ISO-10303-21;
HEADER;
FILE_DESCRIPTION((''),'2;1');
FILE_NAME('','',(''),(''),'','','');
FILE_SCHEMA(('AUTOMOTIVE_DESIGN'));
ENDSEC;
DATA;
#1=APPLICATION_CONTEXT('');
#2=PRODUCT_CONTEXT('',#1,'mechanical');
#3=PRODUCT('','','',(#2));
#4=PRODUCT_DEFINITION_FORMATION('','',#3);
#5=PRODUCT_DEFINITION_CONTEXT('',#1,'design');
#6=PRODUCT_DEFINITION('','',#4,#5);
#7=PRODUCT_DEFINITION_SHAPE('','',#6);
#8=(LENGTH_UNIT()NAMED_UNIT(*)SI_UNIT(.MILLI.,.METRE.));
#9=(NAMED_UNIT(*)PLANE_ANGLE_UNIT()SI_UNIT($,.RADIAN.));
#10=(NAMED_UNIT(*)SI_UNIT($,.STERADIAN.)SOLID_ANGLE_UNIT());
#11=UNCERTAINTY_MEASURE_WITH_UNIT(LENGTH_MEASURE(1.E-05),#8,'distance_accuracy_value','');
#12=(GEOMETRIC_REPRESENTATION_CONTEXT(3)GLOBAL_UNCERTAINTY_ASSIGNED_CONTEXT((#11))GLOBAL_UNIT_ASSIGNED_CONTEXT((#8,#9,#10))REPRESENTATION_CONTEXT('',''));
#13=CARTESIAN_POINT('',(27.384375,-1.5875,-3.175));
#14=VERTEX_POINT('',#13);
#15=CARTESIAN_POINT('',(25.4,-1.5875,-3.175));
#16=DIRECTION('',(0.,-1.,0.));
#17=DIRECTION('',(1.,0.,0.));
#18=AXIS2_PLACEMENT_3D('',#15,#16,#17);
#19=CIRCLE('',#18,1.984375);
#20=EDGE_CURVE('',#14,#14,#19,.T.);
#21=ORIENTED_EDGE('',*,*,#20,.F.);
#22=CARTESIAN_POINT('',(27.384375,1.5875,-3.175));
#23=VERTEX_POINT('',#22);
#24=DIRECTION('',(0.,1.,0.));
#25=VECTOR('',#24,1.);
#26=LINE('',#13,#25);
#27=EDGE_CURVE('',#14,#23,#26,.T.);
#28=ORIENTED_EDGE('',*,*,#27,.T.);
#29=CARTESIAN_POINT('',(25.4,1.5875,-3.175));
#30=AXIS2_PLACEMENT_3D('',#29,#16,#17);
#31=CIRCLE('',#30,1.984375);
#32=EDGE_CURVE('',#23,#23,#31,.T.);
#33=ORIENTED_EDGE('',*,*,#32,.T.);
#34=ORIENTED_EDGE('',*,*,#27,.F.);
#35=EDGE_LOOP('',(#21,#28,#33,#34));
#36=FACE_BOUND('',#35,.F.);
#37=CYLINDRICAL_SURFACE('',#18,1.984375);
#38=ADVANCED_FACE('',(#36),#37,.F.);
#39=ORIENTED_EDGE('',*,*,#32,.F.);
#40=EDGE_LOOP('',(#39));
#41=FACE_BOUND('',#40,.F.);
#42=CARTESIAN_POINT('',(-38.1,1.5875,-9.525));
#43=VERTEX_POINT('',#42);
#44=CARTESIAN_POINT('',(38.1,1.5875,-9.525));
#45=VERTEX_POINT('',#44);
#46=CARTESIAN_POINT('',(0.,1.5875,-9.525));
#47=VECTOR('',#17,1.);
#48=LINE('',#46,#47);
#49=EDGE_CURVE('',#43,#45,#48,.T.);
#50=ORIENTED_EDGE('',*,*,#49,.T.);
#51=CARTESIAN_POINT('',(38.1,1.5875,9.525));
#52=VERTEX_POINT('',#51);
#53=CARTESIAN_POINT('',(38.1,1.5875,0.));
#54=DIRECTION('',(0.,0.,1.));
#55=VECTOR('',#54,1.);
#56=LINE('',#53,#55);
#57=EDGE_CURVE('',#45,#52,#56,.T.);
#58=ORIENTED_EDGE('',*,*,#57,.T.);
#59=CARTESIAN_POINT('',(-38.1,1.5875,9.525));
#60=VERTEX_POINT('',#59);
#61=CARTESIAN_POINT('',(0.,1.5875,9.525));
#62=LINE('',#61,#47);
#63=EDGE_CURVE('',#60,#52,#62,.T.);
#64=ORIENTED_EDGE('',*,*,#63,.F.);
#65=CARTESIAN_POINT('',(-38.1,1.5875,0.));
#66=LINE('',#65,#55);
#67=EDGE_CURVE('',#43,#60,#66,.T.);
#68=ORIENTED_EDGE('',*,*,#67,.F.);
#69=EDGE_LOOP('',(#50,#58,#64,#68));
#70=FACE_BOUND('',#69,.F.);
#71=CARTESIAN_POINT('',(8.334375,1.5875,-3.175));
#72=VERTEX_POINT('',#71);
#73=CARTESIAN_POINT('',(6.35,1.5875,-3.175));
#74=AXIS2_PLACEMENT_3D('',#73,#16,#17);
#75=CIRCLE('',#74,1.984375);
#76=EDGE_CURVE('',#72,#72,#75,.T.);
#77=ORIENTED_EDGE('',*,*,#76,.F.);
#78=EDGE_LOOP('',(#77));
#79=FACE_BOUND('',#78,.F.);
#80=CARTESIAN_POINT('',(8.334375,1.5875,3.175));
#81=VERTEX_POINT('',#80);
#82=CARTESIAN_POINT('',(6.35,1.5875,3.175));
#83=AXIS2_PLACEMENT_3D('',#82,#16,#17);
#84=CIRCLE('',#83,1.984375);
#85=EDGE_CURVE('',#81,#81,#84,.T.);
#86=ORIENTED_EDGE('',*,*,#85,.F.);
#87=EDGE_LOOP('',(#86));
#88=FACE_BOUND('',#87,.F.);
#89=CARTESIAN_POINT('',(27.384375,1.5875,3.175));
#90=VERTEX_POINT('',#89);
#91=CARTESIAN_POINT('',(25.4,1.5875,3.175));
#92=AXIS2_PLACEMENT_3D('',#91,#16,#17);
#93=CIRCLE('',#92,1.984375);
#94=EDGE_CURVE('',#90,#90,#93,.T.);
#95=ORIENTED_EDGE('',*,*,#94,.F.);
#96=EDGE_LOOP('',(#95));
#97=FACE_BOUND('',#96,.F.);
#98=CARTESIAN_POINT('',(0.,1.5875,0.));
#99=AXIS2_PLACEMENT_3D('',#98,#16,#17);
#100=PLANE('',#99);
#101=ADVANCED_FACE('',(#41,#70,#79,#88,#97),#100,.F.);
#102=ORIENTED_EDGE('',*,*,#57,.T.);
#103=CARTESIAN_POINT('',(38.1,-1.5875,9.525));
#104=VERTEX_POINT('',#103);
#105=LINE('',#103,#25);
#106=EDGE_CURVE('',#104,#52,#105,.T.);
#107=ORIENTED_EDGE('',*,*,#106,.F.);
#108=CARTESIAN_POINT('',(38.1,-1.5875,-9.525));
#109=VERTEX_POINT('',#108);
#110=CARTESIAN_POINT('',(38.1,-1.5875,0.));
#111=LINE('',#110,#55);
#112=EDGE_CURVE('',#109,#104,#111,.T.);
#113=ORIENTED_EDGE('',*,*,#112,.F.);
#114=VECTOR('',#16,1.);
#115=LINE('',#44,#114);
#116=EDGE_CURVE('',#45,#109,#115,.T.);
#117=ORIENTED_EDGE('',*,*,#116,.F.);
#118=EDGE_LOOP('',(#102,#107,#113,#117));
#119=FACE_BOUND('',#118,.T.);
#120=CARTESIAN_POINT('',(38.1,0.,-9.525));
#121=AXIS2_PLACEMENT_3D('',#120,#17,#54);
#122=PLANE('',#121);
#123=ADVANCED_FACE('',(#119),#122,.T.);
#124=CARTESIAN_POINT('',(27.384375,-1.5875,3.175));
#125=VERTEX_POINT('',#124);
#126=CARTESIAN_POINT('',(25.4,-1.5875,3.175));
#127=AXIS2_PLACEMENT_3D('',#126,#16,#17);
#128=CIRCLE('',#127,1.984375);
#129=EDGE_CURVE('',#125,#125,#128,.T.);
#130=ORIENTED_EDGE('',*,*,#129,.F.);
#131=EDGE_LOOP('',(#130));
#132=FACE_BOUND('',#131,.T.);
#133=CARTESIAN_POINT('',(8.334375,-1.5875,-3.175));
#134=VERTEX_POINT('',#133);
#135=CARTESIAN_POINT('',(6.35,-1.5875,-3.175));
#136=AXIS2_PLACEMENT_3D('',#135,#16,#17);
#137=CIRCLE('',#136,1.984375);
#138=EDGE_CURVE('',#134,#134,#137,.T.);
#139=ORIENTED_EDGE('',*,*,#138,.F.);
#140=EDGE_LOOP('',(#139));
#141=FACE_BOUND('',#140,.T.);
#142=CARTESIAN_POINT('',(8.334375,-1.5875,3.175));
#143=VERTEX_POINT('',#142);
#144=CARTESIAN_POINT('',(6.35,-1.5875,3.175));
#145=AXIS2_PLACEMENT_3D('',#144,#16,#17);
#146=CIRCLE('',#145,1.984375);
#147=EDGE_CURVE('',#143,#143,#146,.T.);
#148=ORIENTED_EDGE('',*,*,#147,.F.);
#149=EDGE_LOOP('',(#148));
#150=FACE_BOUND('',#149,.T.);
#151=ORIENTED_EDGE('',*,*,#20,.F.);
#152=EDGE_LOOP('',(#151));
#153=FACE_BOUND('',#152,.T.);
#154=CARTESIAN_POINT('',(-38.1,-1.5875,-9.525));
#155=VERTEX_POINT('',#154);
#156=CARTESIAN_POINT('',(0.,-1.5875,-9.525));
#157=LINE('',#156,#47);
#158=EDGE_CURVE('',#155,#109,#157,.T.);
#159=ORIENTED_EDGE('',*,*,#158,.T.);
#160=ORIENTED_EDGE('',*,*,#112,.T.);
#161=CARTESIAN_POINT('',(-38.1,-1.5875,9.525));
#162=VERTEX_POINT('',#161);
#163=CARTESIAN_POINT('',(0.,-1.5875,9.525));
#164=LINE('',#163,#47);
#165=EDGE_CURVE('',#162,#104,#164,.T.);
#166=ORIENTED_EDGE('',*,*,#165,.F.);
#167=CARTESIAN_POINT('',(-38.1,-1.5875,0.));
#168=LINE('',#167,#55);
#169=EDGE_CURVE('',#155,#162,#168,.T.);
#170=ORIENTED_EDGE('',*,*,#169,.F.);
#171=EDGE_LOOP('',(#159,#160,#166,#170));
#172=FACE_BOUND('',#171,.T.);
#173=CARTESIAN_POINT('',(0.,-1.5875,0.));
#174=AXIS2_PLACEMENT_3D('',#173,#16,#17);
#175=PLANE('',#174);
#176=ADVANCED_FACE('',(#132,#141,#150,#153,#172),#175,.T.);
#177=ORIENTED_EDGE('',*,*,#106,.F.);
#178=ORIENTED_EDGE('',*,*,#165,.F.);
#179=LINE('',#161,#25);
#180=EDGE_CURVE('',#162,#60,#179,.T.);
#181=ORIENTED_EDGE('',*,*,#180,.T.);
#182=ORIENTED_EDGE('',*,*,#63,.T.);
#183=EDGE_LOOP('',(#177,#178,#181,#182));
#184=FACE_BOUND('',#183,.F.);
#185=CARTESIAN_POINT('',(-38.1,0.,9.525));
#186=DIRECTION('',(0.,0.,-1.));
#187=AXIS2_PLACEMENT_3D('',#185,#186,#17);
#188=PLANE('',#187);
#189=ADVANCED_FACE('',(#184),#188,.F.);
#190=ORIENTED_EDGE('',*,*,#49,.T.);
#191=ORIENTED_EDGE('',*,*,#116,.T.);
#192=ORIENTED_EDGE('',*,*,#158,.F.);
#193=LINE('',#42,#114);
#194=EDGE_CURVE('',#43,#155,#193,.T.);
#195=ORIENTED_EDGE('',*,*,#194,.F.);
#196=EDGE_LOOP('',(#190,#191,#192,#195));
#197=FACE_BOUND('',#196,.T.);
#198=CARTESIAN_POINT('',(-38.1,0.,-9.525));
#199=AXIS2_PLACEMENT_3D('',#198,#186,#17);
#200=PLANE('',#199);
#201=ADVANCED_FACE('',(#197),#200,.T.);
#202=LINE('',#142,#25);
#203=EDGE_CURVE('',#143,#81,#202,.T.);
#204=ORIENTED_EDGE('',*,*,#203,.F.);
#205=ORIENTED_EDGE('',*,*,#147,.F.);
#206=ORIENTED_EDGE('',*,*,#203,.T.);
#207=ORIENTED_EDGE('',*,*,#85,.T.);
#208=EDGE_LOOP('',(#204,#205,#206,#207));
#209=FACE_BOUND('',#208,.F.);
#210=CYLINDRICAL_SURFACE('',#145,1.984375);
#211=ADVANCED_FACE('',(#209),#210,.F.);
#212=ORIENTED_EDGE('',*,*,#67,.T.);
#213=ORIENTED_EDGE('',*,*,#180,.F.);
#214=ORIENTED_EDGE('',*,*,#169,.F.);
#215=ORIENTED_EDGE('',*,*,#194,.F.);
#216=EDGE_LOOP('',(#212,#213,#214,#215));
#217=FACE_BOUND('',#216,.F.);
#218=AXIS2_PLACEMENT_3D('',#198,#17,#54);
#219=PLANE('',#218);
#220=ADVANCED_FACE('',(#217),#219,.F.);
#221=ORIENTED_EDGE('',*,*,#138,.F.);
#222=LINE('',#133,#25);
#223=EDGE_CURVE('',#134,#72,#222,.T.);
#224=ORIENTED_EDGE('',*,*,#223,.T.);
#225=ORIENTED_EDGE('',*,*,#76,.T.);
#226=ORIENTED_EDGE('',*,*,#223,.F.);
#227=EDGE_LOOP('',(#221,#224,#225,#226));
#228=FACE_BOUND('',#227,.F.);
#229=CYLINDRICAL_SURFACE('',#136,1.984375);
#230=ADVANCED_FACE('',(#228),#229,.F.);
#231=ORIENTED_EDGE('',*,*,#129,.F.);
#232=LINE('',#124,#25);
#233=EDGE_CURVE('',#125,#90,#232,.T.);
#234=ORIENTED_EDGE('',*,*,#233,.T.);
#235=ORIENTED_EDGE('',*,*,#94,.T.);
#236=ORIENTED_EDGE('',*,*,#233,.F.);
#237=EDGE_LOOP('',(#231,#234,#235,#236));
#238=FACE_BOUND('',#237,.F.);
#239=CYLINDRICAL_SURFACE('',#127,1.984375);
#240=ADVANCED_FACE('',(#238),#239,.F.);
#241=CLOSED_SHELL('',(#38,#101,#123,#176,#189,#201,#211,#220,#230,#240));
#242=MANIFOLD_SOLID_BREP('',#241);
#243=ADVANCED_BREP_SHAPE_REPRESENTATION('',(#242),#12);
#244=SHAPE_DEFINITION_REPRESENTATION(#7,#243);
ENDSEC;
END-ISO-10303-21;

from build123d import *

# Parameters (mm, degrees)
F0_W     = 76.2
F0_H     = 19.05
F1_DEPTH = 1.5875
F2_R     = 1.984375
F3_DEPTH = 3.175


with BuildPart() as f1:
    # F0 (on Front) → F1 (new body, symmetric)
    with BuildSketch(Plane.XZ):
        Rectangle(F0_W, F0_H)
    extrude(amount=F1_DEPTH, both=True)

    # F2 (on face) → F3 (cut)
    with BuildSketch(Plane.XZ.offset(1.5875)):
        with Locations((6.35, 3.175)):
            Circle(F2_R)
        with Locations((25.4, 3.175)):
            Circle(F2_R)
        with Locations((25.4, -3.175)):
            Circle(F2_R)
        with Locations((6.35, -3.175)):
            Circle(F2_R)
    extrude(amount=-F3_DEPTH, mode=Mode.SUBTRACT)


solid = f1.part
